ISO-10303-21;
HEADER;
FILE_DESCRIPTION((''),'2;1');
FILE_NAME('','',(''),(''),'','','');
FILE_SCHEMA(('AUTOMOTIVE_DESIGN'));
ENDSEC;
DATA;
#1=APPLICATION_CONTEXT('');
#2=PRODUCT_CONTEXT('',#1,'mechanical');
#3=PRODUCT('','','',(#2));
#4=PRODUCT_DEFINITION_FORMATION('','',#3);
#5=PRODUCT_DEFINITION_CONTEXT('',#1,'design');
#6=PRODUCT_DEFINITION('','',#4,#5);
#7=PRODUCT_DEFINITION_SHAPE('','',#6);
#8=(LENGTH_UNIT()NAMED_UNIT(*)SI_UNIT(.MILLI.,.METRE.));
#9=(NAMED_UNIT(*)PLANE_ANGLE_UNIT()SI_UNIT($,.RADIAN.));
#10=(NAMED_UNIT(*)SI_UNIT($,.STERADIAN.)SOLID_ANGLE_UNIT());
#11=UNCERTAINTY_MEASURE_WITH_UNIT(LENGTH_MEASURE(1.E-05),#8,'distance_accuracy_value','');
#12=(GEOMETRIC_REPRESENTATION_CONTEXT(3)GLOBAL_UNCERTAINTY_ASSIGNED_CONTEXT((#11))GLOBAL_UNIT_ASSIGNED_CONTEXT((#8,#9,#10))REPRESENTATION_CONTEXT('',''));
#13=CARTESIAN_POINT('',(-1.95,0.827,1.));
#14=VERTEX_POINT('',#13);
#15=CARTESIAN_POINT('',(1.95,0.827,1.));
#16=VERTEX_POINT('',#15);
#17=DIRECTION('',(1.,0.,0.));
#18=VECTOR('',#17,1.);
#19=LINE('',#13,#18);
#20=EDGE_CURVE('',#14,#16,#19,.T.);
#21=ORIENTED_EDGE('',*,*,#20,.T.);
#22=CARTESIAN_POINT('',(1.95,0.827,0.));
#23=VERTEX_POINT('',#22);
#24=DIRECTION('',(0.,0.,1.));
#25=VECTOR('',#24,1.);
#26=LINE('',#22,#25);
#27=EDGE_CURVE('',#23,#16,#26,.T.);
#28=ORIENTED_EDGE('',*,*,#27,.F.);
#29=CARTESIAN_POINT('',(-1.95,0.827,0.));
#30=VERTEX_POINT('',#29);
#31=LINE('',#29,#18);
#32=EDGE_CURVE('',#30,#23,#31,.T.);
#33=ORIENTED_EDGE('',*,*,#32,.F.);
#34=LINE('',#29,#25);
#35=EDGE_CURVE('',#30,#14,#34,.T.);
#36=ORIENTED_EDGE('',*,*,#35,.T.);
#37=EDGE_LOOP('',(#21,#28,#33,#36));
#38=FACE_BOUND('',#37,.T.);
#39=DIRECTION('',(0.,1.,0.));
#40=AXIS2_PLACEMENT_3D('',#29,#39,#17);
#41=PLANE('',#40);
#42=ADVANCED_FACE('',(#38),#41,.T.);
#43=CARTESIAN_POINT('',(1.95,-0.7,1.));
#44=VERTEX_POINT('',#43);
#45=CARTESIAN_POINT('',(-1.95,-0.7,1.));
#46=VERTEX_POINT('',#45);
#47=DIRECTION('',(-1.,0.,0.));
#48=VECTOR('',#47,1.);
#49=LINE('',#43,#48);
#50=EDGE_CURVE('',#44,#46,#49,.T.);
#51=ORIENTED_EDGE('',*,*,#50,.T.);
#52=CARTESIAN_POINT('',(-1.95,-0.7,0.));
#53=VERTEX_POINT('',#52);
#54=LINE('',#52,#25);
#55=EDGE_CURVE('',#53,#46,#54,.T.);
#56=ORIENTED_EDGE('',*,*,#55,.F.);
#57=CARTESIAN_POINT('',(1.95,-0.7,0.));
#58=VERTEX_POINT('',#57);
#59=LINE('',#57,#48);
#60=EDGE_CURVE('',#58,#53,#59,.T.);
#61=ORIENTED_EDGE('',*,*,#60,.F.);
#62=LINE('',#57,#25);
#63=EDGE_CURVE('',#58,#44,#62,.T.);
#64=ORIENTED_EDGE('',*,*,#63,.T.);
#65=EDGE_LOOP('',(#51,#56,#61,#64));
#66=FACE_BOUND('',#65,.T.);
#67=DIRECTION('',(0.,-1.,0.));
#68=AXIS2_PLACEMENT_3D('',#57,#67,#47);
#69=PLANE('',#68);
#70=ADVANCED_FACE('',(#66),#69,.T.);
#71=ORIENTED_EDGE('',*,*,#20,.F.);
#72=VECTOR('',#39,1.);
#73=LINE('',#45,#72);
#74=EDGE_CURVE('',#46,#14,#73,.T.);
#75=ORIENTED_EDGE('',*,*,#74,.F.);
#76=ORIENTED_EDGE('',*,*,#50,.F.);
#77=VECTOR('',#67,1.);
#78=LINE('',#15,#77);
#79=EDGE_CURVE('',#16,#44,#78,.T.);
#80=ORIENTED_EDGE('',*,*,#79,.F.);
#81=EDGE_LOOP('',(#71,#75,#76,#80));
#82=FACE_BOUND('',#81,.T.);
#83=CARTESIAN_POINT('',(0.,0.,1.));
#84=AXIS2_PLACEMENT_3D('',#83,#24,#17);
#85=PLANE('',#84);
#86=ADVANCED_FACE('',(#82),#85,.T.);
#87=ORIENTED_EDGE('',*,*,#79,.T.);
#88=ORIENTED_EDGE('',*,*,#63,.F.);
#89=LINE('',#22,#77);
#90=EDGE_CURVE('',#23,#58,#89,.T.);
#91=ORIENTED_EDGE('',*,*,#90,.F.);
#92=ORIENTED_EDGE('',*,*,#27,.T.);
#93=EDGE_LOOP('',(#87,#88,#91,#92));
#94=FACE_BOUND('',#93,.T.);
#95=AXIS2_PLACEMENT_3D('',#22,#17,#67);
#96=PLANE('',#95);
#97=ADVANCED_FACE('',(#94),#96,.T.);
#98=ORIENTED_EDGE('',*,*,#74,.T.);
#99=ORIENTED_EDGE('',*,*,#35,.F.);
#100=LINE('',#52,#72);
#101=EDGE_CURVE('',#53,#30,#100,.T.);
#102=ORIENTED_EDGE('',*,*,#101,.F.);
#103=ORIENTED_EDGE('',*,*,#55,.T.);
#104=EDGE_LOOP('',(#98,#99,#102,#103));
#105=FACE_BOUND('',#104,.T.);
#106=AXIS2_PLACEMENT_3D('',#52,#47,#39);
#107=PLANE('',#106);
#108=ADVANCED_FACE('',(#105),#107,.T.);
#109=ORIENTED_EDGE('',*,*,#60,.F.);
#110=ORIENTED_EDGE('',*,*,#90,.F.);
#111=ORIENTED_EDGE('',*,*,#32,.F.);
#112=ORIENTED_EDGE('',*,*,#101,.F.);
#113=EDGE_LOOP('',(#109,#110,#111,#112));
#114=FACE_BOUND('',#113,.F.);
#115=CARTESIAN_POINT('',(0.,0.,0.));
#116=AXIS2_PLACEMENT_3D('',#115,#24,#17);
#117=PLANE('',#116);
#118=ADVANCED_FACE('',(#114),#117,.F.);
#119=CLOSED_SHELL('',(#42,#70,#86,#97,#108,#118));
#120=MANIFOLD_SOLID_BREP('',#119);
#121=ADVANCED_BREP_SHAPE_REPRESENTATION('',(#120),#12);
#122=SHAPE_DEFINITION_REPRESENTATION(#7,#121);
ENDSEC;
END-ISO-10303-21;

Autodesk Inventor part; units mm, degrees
ref_plane "YZ Plane" through (0, 0, 0) normal (1, 0, 0) x (0, 1, 0)
ref_plane "XZ Plane" through (0, 0, 0) normal (0, 1, 0) x (-1, 0, 0)
ref_plane "XY Plane" through (0, 0, 0) normal (0, 0, 1) x (1, 0, 0)
sketch "SOD123, D1_SOD123_17" plane through (0, 0, 0) normal (0, 0, 1) x (1, 0, 0)
  line L0 (-1.95, 0.827) -> (1.95, 0.827)
  line L1 (1.95, 0.827) -> (1.95, -0.7)
  line L2 (1.95, -0.7) -> (-1.95, -0.7)
  line L3 (-1.95, -0.7) -> (-1.95, 0.827)
extrude "Extrusion1" add sketch "SOD123, D1_SOD123_17" along normal blind 1
properties part number "D1_SOD123"
